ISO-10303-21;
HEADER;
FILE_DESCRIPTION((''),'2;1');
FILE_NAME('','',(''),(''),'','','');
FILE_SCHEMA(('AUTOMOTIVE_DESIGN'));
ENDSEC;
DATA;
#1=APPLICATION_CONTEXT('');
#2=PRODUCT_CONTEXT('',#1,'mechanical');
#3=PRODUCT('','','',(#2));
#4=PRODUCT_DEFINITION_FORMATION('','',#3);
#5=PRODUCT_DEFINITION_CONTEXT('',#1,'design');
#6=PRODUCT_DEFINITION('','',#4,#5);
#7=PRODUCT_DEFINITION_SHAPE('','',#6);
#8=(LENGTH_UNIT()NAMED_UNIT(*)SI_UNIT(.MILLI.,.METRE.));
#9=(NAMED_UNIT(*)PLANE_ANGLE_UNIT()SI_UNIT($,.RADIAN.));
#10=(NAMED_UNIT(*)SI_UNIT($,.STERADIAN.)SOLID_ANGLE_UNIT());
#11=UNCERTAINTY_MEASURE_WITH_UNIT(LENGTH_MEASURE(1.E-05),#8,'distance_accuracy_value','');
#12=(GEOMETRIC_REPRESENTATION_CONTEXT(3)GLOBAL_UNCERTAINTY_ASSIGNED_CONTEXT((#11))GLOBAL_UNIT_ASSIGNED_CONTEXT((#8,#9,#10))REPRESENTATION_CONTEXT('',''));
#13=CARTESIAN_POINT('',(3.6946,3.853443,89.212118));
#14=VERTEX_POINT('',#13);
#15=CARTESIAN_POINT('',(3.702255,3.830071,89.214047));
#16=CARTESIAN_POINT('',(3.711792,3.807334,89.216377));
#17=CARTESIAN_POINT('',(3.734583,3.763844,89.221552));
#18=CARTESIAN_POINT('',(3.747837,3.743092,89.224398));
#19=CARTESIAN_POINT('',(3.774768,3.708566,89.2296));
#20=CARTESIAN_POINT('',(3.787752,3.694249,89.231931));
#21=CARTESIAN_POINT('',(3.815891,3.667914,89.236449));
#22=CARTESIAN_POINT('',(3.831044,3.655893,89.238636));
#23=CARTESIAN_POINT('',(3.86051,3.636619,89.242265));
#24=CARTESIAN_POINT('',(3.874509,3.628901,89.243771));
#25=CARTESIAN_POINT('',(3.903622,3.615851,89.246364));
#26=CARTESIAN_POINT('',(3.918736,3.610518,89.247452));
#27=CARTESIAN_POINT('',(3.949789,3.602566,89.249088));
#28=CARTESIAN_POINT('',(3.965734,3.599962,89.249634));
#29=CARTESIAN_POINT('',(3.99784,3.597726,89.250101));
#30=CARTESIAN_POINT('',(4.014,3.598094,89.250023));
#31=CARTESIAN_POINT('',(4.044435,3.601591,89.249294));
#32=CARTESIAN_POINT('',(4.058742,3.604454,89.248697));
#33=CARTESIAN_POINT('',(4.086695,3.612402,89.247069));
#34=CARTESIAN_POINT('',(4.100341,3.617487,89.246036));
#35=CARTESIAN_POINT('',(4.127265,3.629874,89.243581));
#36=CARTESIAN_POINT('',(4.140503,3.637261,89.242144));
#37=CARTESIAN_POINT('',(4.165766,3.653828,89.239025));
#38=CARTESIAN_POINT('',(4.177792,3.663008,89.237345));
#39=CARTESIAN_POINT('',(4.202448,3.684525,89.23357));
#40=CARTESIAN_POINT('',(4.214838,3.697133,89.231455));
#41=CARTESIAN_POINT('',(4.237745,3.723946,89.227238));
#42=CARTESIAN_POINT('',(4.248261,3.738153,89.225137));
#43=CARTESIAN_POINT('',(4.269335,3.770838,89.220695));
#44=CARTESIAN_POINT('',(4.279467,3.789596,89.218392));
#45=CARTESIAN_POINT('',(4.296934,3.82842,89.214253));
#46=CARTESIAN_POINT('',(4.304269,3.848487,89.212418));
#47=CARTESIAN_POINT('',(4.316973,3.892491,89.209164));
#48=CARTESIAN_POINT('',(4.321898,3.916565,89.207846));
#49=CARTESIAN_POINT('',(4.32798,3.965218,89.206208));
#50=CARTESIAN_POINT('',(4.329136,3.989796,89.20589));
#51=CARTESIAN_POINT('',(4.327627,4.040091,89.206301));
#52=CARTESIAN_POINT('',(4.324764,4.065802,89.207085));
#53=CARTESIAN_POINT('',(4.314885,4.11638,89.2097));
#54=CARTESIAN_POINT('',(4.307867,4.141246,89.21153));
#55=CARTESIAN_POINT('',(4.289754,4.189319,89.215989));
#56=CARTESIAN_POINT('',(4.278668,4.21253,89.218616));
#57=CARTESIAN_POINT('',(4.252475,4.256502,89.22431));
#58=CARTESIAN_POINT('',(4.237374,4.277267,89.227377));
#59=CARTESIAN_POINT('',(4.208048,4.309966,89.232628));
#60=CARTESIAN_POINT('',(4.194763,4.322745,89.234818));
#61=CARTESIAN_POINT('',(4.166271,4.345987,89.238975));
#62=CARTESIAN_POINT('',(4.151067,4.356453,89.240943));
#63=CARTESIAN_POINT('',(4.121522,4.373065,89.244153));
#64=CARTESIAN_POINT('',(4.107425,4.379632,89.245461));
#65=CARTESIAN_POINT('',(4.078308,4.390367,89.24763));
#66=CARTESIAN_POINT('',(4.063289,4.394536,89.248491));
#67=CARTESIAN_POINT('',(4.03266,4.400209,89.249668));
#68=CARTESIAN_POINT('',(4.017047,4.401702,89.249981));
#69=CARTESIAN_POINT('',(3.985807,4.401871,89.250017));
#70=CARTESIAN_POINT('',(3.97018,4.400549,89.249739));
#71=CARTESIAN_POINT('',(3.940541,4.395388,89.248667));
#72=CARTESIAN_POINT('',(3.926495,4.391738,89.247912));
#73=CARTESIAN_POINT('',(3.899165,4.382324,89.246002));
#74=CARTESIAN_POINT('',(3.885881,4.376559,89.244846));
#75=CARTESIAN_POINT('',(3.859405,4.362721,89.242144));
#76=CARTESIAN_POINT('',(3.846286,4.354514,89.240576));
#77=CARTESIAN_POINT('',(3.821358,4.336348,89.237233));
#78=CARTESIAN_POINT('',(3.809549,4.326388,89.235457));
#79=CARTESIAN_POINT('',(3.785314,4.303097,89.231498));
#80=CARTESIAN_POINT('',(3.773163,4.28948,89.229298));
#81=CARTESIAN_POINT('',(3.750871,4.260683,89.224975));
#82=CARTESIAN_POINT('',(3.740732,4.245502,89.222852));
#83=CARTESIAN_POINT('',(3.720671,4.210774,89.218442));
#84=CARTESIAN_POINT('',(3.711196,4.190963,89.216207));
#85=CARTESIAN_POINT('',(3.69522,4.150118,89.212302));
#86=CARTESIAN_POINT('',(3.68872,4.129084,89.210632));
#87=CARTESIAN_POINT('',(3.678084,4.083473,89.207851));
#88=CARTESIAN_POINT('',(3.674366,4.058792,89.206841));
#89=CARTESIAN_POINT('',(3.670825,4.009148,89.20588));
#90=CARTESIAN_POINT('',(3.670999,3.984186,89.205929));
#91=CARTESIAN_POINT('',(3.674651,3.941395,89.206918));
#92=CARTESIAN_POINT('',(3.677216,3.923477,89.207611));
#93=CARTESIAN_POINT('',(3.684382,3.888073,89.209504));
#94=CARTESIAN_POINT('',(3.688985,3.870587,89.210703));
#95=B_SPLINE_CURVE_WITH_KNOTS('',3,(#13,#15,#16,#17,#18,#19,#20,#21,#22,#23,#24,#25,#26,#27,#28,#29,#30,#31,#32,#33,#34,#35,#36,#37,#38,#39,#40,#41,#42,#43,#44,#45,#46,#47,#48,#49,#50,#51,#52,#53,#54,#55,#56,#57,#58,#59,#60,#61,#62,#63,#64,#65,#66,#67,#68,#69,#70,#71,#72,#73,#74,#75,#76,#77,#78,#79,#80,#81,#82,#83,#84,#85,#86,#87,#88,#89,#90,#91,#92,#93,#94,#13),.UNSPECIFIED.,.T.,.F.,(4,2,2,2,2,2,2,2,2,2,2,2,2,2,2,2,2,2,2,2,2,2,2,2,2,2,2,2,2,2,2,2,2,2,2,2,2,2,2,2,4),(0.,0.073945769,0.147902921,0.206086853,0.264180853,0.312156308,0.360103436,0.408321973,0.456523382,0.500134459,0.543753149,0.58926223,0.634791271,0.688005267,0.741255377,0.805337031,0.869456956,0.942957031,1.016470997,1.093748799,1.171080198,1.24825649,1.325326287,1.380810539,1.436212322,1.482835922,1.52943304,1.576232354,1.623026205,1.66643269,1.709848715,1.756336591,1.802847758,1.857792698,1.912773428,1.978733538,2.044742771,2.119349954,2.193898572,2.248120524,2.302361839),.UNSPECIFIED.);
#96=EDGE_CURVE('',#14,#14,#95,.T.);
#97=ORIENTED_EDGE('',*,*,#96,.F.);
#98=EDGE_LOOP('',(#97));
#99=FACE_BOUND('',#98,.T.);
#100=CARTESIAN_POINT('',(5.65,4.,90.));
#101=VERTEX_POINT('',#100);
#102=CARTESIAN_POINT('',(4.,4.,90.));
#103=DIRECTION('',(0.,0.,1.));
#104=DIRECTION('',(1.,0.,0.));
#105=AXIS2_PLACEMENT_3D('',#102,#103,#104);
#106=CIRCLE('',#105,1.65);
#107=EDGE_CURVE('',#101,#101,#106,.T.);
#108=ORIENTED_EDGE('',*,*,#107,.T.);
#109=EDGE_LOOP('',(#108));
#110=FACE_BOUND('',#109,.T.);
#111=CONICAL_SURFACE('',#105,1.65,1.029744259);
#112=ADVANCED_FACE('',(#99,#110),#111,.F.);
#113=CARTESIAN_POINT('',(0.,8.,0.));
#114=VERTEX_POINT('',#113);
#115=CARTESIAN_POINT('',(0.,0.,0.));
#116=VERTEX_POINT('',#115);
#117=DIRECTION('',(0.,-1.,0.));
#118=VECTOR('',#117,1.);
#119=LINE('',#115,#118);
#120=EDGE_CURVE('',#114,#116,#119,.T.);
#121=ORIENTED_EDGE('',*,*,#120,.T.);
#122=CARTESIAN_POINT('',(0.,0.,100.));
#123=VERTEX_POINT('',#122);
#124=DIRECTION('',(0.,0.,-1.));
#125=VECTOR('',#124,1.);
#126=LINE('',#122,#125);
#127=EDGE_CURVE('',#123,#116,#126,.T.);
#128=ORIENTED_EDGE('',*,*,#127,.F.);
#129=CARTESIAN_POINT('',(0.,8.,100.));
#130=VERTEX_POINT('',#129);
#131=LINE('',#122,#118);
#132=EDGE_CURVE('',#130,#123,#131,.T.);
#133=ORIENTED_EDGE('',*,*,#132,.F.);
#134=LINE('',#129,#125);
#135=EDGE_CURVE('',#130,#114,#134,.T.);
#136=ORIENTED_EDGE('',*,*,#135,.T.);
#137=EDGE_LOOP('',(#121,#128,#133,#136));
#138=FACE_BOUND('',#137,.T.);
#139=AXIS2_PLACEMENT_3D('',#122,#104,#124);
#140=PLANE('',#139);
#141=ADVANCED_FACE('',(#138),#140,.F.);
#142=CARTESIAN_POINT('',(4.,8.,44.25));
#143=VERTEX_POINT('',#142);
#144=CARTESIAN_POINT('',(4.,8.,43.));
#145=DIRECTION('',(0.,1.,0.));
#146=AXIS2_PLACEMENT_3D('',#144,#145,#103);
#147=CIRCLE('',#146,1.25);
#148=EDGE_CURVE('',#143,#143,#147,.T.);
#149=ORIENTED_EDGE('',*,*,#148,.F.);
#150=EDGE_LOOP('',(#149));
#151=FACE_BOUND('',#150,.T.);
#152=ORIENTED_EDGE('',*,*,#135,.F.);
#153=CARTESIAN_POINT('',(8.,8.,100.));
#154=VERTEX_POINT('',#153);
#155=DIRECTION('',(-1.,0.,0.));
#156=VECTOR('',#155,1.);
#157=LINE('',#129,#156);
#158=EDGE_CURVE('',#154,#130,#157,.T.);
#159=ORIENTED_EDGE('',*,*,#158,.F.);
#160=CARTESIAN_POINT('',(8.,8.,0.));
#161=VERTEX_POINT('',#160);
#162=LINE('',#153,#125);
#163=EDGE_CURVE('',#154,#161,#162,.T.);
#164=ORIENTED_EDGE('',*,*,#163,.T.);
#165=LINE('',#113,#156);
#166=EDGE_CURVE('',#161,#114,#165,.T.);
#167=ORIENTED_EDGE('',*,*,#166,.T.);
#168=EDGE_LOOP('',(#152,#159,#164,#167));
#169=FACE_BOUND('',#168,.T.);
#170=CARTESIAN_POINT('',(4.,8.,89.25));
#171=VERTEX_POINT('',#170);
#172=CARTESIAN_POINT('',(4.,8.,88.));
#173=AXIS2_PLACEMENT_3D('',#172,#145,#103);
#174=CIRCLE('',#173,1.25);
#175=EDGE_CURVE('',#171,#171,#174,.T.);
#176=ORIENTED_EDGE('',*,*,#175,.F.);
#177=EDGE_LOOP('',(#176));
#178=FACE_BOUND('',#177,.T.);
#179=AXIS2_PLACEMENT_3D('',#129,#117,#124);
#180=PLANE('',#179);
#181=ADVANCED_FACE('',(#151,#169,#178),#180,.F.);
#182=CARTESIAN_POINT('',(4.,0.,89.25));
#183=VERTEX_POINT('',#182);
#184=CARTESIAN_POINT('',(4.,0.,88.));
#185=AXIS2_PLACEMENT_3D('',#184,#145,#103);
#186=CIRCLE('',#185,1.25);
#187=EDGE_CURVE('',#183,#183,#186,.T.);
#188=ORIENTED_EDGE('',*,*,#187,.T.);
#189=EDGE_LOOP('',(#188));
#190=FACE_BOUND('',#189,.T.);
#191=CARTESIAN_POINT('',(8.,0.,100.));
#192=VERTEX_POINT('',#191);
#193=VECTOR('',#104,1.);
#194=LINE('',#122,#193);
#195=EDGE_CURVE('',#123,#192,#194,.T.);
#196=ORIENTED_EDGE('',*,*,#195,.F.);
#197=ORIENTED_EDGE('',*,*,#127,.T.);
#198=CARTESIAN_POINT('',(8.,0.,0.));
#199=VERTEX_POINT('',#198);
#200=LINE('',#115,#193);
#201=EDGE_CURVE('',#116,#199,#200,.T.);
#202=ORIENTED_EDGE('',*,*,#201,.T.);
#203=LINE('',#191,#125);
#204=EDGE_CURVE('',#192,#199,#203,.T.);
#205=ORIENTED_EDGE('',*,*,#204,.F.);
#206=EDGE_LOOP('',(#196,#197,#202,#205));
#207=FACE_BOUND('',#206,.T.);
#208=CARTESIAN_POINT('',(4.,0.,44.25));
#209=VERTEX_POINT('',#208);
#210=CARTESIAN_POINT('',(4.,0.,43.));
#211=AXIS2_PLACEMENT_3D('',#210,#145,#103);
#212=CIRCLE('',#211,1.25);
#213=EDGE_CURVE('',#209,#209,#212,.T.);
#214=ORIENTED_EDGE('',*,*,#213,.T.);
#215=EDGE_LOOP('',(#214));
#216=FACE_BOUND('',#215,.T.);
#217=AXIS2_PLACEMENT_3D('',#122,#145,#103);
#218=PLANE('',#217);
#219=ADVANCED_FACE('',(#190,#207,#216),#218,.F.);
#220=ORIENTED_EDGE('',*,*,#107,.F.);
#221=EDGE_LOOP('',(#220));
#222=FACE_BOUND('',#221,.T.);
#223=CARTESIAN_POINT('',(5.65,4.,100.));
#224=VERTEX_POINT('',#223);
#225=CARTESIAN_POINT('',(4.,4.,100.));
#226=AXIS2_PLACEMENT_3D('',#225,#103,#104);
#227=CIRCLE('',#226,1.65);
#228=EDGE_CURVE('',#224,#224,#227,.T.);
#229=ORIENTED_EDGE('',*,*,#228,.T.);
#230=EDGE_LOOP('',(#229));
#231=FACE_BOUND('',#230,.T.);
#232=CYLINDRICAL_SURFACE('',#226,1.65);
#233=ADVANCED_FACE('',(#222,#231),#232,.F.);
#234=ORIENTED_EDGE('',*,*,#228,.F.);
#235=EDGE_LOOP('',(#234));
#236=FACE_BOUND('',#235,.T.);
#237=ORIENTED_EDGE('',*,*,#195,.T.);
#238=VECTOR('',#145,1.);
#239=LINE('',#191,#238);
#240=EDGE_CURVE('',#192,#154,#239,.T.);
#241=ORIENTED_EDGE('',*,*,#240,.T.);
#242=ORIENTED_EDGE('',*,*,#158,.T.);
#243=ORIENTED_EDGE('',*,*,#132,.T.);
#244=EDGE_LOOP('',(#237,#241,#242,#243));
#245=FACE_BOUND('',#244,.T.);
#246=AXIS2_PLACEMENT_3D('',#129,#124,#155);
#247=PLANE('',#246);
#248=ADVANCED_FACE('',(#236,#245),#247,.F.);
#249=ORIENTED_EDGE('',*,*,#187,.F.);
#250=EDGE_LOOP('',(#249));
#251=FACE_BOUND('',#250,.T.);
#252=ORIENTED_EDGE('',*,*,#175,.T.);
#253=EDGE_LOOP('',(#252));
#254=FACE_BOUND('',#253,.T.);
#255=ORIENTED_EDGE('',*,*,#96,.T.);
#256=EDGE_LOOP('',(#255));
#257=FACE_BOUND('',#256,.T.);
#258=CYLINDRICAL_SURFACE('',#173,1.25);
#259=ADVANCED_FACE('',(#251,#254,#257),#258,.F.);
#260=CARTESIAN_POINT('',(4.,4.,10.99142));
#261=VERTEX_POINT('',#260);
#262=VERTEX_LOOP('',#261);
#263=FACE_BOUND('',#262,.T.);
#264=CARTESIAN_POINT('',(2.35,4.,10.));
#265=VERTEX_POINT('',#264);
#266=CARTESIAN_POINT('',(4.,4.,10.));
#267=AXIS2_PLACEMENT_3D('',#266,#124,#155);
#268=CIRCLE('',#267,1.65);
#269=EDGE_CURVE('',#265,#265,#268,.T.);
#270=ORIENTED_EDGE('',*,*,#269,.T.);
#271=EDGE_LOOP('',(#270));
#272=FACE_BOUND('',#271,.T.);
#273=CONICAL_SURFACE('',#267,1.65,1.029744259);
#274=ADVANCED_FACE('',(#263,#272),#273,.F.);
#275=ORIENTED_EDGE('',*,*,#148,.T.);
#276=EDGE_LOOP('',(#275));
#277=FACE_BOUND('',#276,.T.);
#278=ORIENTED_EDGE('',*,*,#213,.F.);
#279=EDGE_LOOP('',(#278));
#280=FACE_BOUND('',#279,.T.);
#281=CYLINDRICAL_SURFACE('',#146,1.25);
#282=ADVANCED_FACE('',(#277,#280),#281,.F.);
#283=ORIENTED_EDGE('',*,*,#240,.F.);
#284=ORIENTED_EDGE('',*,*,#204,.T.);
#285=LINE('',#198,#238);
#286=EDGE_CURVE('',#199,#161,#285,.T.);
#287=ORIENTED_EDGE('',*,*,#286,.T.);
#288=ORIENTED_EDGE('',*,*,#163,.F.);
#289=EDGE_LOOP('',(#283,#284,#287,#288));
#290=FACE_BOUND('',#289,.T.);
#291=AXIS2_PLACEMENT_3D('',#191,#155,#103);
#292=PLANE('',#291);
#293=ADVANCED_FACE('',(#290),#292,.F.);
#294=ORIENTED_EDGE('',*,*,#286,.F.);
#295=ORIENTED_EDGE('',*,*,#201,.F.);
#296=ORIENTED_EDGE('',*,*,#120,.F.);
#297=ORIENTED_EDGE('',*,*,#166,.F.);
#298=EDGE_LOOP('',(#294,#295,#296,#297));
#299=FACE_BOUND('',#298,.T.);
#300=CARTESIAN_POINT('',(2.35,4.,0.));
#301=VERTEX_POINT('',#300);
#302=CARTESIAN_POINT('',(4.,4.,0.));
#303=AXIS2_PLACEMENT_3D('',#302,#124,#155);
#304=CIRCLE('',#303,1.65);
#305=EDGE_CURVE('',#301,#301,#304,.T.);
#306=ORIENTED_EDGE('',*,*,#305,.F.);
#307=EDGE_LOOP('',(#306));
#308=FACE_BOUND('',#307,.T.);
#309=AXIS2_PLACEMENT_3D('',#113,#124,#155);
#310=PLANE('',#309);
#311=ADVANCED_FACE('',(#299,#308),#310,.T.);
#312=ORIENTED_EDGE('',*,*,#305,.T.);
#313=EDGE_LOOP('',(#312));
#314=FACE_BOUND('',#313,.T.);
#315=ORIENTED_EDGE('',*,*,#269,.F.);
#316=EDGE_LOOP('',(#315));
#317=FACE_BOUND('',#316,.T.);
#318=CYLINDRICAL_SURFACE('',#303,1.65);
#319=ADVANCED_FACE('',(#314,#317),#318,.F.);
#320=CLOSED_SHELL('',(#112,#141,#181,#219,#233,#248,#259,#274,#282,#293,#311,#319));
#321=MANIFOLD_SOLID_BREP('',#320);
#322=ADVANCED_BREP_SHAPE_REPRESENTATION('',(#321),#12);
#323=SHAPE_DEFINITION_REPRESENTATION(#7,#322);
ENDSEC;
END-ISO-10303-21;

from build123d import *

# Parameters (mm, degrees)
SKETCH1_W                       = 8
SKETCH1_H                       = 8
EXTRUDE1_DEPTH                  = 100
M3_TAPPED_HOLE1_D               = 2.5
M4_TAPPED_HOLE1_D               = 3.3
M4_TAPPED_HOLE1_DEPTH           = 10
M4_TAPPED_HOLE1_TIP             = 0.991420021
M4_TAPPED_HOLE1_ON_FACE_2_D     = 3.3
M4_TAPPED_HOLE1_ON_FACE_2_DEPTH = 10
M4_TAPPED_HOLE1_ON_FACE_2_TIP   = 0.991420021


with BuildPart() as part:
    # Sketch1 → Extrude1 (new body)
    with BuildSketch(Plane.XY):
        with Locations((4, 4)):
            Rectangle(SKETCH1_W, SKETCH1_H)
    extrude(amount=EXTRUDE1_DEPTH)

    # M3 Tapped Hole1 (through all)
    with Locations(Plane(origin=(4, 8, 88), x_dir=(0, 0, 1), z_dir=(0, 1, 0))):
        with Locations((0, 0), (-45, 0)):
            Hole(M3_TAPPED_HOLE1_D / 2)

    # M4 Tapped Hole1
    with Locations(Plane(origin=(4, 4, 100), x_dir=(1, 0, 0), z_dir=(0, 0, 1))):
        with Locations((0, 0)):
            Hole(M4_TAPPED_HOLE1_D / 2, depth=M4_TAPPED_HOLE1_DEPTH)
            with Locations((0, 0, -(M4_TAPPED_HOLE1_DEPTH + M4_TAPPED_HOLE1_TIP / 2))):  # 118° drill point
                Cone(0, M4_TAPPED_HOLE1_D / 2, M4_TAPPED_HOLE1_TIP, mode=Mode.SUBTRACT)

    # M4 Tapped Hole1 on face 2
    with Locations(Plane(origin=(4, 4, 0), x_dir=(-1, 0, 0), z_dir=(0, 0, -1))):
        with Locations((0, 0)):
            Hole(M4_TAPPED_HOLE1_ON_FACE_2_D / 2, depth=M4_TAPPED_HOLE1_ON_FACE_2_DEPTH)
            with Locations((0, 0, -(M4_TAPPED_HOLE1_ON_FACE_2_DEPTH + M4_TAPPED_HOLE1_ON_FACE_2_TIP / 2))):  # 118° drill point
                Cone(0, M4_TAPPED_HOLE1_ON_FACE_2_D / 2, M4_TAPPED_HOLE1_ON_FACE_2_TIP, mode=Mode.SUBTRACT)


solid = part.part
